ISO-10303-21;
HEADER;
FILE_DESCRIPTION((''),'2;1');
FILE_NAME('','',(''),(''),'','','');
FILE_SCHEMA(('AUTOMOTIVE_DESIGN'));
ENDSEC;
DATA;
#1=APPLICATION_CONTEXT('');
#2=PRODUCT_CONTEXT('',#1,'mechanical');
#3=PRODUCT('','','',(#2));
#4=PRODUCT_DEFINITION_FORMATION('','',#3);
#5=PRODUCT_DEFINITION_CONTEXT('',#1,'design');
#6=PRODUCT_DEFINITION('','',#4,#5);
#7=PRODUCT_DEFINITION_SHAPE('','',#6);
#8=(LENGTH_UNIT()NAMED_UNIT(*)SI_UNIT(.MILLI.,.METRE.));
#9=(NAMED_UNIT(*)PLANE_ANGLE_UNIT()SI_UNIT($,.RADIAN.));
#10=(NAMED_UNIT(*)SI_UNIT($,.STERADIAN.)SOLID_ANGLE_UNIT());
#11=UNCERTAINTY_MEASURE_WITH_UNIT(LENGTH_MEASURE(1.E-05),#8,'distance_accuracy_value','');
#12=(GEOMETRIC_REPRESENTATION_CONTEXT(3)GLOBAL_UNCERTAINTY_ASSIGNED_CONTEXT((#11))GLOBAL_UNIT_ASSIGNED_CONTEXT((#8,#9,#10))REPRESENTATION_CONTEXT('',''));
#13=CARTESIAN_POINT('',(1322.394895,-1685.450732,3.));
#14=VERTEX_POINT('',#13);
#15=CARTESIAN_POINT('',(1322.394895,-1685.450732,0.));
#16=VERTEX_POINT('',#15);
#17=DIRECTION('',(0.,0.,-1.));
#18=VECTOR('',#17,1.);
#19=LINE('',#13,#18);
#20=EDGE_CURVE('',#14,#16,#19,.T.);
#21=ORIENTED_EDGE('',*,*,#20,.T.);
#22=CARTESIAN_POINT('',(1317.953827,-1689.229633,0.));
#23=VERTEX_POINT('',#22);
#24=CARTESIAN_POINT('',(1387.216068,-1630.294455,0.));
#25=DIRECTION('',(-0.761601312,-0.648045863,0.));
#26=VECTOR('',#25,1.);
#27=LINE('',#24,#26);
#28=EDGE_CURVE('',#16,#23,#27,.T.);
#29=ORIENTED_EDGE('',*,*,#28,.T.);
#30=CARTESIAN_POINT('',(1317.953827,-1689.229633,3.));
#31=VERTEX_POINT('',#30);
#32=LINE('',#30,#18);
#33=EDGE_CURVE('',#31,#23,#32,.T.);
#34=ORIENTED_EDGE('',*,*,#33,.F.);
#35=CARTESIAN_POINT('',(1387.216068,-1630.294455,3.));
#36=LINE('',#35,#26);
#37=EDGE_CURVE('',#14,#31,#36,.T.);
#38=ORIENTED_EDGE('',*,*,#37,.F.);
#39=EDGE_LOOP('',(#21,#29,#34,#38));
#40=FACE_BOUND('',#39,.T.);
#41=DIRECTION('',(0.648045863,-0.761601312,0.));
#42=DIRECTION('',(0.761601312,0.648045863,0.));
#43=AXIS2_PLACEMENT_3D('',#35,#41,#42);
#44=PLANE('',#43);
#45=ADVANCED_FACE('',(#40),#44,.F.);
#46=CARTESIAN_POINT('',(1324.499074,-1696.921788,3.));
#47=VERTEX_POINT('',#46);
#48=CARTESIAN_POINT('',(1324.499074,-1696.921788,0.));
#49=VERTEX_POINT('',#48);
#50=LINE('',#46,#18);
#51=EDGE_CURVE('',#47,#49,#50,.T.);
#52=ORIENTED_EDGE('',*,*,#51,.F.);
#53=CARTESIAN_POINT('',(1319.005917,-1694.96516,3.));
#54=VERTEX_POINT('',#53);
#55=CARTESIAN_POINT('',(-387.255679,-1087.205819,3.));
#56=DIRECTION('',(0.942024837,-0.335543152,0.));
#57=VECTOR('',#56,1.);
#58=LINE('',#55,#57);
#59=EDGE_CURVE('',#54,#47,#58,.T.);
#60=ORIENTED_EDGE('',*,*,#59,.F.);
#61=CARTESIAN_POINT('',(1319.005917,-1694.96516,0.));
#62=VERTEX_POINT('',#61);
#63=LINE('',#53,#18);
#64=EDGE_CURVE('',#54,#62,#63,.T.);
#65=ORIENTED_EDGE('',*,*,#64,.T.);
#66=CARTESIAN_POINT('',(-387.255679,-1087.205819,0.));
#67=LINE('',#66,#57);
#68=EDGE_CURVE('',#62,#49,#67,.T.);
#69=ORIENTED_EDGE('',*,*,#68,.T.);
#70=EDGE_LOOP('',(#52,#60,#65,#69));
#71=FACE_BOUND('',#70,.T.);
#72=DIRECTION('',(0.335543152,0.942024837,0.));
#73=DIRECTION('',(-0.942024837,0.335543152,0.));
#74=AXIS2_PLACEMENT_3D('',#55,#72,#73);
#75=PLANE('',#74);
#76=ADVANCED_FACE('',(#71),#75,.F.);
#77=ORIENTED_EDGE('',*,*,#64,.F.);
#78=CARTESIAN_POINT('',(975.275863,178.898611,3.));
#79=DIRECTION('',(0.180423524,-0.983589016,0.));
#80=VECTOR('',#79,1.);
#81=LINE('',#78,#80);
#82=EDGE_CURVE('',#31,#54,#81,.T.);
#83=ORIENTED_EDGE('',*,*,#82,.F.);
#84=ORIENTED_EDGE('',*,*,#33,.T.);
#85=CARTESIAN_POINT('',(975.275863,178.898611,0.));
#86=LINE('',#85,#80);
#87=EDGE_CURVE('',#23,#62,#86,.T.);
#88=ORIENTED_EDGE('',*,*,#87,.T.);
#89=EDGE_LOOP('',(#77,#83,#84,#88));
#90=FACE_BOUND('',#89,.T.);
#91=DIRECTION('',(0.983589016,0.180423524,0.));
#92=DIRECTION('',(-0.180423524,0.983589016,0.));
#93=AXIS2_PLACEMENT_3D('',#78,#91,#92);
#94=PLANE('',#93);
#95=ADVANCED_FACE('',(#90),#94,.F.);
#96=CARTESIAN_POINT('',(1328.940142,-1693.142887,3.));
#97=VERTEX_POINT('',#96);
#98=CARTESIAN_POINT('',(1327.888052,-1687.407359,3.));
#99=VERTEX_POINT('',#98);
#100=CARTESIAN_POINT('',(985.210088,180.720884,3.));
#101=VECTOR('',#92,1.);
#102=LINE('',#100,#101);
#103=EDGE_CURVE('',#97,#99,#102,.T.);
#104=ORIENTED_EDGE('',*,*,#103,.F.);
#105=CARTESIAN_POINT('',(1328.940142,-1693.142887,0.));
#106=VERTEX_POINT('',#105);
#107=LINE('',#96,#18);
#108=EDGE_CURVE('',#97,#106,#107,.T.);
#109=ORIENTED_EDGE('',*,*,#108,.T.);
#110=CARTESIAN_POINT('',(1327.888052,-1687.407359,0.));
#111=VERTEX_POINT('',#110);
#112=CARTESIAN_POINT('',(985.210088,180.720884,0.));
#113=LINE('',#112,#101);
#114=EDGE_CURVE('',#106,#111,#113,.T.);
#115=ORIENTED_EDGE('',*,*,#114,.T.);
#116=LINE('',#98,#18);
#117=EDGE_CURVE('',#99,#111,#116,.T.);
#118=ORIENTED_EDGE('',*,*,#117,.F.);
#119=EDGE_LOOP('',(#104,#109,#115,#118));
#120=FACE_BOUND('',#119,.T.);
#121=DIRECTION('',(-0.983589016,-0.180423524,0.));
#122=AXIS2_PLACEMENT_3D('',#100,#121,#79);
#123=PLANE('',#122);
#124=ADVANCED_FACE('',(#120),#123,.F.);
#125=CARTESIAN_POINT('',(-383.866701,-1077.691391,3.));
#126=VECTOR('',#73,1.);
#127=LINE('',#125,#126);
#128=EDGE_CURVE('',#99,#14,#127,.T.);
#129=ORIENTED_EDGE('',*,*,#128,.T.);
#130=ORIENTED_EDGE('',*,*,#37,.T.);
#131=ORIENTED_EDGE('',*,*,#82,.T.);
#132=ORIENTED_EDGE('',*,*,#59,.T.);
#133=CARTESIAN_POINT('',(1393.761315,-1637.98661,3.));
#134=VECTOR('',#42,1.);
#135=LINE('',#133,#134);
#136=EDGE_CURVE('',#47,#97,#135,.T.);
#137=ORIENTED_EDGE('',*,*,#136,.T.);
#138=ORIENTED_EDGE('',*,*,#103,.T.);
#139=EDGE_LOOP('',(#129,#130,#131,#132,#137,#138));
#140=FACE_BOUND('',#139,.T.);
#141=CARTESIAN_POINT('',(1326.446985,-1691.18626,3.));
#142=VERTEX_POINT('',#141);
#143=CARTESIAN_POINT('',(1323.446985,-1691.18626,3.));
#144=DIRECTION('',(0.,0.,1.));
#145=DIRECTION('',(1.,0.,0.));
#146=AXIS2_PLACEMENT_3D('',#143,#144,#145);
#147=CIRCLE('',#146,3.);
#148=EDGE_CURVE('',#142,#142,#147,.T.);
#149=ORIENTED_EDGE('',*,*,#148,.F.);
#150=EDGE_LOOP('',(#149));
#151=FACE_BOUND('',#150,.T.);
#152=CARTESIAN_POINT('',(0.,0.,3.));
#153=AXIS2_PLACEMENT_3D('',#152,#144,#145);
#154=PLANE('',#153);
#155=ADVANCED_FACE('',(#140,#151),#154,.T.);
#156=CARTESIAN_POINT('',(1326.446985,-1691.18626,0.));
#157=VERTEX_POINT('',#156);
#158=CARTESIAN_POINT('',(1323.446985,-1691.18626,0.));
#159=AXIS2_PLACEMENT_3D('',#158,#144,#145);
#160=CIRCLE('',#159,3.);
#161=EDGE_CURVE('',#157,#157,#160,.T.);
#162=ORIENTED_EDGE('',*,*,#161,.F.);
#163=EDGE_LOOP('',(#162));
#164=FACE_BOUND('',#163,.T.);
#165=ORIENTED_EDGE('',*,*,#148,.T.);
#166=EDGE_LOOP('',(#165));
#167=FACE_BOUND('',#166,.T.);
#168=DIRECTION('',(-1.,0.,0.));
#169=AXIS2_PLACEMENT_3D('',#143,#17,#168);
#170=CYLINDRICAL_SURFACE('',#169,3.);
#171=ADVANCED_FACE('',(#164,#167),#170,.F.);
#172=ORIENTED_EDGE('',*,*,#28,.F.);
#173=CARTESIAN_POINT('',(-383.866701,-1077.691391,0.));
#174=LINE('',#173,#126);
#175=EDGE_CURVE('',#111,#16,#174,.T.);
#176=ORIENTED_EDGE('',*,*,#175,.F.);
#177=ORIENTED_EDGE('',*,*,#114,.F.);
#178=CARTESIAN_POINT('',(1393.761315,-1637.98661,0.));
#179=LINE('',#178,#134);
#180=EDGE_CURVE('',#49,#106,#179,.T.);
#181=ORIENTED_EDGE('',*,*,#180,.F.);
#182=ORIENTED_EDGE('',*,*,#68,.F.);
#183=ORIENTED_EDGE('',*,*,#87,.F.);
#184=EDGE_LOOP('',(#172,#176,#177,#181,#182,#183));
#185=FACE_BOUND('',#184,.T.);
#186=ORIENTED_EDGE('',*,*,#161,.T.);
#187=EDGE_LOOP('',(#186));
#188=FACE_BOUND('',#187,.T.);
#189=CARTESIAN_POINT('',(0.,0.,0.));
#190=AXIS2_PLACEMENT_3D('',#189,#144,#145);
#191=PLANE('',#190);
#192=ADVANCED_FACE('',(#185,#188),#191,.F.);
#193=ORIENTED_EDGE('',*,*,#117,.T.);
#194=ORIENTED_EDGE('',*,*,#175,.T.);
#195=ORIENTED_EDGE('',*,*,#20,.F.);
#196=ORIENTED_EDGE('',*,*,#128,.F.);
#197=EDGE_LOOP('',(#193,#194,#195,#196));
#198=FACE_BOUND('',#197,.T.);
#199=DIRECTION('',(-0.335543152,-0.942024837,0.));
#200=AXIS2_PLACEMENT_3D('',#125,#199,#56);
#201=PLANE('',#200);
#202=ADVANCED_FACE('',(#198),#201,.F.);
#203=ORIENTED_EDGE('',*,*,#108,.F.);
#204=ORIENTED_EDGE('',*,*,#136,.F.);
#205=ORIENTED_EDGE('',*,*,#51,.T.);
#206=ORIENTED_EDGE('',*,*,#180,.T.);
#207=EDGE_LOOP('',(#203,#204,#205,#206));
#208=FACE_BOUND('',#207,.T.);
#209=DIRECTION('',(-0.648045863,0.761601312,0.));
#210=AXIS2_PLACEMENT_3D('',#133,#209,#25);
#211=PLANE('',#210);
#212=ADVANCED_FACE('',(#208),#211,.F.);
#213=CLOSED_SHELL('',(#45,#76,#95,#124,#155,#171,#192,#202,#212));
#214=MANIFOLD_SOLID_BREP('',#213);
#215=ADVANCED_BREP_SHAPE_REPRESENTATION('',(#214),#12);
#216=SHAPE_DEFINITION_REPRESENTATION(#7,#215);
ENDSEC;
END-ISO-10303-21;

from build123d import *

# Parameters (mm, degrees)
SKETCH1_R           = 3
BOSS_EXTRUDE1_DEPTH = 3


with BuildPart() as part:
    # Sketch1 → Boss-Extrude1 (new body)
    # profile 1 of 7: a face of its own
    with BuildSketch(Plane.XY):
        with BuildLine():
            ThreePointArc((1328.13150473, -1693.072432874), (1328.496972448, -1691.186259901), (1328.13150473, -1689.300086927))
            Line((1328.13150473, -1689.300086927), (1327.422718332, -1688.072432874))
            ThreePointArc((1327.422718332, -1688.072432874), (1325.97197848, -1686.812842059), (1324.15577091, -1686.186259901))
            Line((1324.15577091, -1686.186259901), (1322.738198114, -1686.186259901))
            ThreePointArc((1322.738198114, -1686.186259901), (1320.921990544, -1686.812842059), (1319.471250692, -1688.072432874))
            Line((1319.471250692, -1688.072432874), (1318.762464294, -1689.300086927))
            ThreePointArc((1318.762464294, -1689.300086927), (1318.396996575, -1691.186259901), (1318.762464294, -1693.072432874))
            Line((1318.762464294, -1693.072432874), (1319.471250692, -1694.300086927))
            ThreePointArc((1319.471250692, -1694.300086927), (1320.921990544, -1695.559677742), (1322.738198114, -1696.186259901))
            Line((1322.738198114, -1696.186259901), (1324.15577091, -1696.186259901))
            ThreePointArc((1324.15577091, -1696.186259901), (1325.97197848, -1695.559677742), (1327.422718332, -1694.300086927))
            Line((1327.422718332, -1694.300086927), (1328.13150473, -1693.072432874))
        make_face()
        with Locations((1323.446984512, -1691.186259901)):
            Circle(SKETCH1_R, mode=Mode.SUBTRACT)
    # profile 2 of 7: a face of its own
    with BuildSketch(Plane.XY):
        with BuildLine():
            Line((1321.752495925, -1695.943474063), (1324.499074459, -1696.921787568))
            Line((1324.499074459, -1696.921787568), (1326.719608123, -1695.032337494))
            ThreePointArc((1326.719608123, -1695.032337494), (1325.519613433, -1695.791320976), (1324.15577091, -1696.186259901))
            Line((1324.15577091, -1696.186259901), (1322.738198114, -1696.186259901))
            ThreePointArc((1322.738198114, -1696.186259901), (1322.239230852, -1696.089698414), (1321.752495925, -1695.943474063))
        make_face()
    # profile 3 of 7: a face of its own
    with BuildSketch(Plane.XY):
        with BuildLine():
            ThreePointArc((1327.422718332, -1694.300086927), (1327.089609813, -1694.683924703), (1326.719608123, -1695.032337494))
            Line((1326.719608123, -1695.032337494), (1328.940142149, -1693.142887113))
            Line((1328.940142149, -1693.142887113), (1328.414095773, -1690.275115635))
            ThreePointArc((1328.414095773, -1690.275115635), (1328.471399253, -1691.693837156), (1328.13150473, -1693.072432874))
            Line((1328.13150473, -1693.072432874), (1327.422718332, -1694.300086927))
        make_face()
    # profile 4 of 7: a face of its own
    with BuildSketch(Plane.XY):
        with BuildLine():
            ThreePointArc((1328.13150473, -1689.300086927), (1328.297362621, -1689.780482408), (1328.414095773, -1690.275115635))
            Line((1328.414095773, -1690.275115635), (1327.888052202, -1687.407359446))
            Line((1327.888052202, -1687.407359446), (1325.141464891, -1686.429042814))
            ThreePointArc((1325.141464891, -1686.429042814), (1326.398766175, -1687.08877736), (1327.422718332, -1688.072432874))
            Line((1327.422718332, -1688.072432874), (1328.13150473, -1689.300086927))
        make_face()
    # profile 5 of 7: a face of its own
    with BuildSketch(Plane.XY):
        with BuildLine():
            ThreePointArc((1324.15577091, -1686.186259901), (1324.654733942, -1686.282820345), (1325.141464891, -1686.429042814))
            Line((1325.141464891, -1686.429042814), (1322.394894565, -1685.450732233))
            Line((1322.394894565, -1685.450732233), (1320.17435296, -1687.340189064))
            ThreePointArc((1320.17435296, -1687.340189064), (1321.374350836, -1686.581200964), (1322.738198114, -1686.186259901))
            Line((1322.738198114, -1686.186259901), (1324.15577091, -1686.186259901))
        make_face()
    # profile 6 of 7: a face of its own
    with BuildSketch(Plane.XY):
        with BuildLine():
            Line((1317.953826874, -1689.229632688), (1318.479872929, -1692.097402415))
            ThreePointArc((1318.479872929, -1692.097402415), (1318.42256986, -1690.67868176), (1318.762464294, -1689.300086927))
            Line((1318.762464294, -1689.300086927), (1319.471250692, -1688.072432874))
            ThreePointArc((1319.471250692, -1688.072432874), (1319.8043556, -1687.688598858), (1320.17435296, -1687.340189064))
            Line((1320.17435296, -1687.340189064), (1317.953826874, -1689.229632688))
        make_face()
    # profile 7 of 7: a face of its own
    with BuildSketch(Plane.XY):
        with BuildLine():
            Line((1319.005916822, -1694.965160355), (1321.752495925, -1695.943474063))
            ThreePointArc((1321.752495925, -1695.943474063), (1320.495199314, -1695.283739895), (1319.471250692, -1694.300086927))
            Line((1319.471250692, -1694.300086927), (1318.762464294, -1693.072432874))
            ThreePointArc((1318.762464294, -1693.072432874), (1318.596606155, -1692.592036538), (1318.479872929, -1692.097402415))
            Line((1318.479872929, -1692.097402415), (1319.005916822, -1694.965160355))
        make_face()
    extrude(amount=BOSS_EXTRUDE1_DEPTH)


solid = part.part
